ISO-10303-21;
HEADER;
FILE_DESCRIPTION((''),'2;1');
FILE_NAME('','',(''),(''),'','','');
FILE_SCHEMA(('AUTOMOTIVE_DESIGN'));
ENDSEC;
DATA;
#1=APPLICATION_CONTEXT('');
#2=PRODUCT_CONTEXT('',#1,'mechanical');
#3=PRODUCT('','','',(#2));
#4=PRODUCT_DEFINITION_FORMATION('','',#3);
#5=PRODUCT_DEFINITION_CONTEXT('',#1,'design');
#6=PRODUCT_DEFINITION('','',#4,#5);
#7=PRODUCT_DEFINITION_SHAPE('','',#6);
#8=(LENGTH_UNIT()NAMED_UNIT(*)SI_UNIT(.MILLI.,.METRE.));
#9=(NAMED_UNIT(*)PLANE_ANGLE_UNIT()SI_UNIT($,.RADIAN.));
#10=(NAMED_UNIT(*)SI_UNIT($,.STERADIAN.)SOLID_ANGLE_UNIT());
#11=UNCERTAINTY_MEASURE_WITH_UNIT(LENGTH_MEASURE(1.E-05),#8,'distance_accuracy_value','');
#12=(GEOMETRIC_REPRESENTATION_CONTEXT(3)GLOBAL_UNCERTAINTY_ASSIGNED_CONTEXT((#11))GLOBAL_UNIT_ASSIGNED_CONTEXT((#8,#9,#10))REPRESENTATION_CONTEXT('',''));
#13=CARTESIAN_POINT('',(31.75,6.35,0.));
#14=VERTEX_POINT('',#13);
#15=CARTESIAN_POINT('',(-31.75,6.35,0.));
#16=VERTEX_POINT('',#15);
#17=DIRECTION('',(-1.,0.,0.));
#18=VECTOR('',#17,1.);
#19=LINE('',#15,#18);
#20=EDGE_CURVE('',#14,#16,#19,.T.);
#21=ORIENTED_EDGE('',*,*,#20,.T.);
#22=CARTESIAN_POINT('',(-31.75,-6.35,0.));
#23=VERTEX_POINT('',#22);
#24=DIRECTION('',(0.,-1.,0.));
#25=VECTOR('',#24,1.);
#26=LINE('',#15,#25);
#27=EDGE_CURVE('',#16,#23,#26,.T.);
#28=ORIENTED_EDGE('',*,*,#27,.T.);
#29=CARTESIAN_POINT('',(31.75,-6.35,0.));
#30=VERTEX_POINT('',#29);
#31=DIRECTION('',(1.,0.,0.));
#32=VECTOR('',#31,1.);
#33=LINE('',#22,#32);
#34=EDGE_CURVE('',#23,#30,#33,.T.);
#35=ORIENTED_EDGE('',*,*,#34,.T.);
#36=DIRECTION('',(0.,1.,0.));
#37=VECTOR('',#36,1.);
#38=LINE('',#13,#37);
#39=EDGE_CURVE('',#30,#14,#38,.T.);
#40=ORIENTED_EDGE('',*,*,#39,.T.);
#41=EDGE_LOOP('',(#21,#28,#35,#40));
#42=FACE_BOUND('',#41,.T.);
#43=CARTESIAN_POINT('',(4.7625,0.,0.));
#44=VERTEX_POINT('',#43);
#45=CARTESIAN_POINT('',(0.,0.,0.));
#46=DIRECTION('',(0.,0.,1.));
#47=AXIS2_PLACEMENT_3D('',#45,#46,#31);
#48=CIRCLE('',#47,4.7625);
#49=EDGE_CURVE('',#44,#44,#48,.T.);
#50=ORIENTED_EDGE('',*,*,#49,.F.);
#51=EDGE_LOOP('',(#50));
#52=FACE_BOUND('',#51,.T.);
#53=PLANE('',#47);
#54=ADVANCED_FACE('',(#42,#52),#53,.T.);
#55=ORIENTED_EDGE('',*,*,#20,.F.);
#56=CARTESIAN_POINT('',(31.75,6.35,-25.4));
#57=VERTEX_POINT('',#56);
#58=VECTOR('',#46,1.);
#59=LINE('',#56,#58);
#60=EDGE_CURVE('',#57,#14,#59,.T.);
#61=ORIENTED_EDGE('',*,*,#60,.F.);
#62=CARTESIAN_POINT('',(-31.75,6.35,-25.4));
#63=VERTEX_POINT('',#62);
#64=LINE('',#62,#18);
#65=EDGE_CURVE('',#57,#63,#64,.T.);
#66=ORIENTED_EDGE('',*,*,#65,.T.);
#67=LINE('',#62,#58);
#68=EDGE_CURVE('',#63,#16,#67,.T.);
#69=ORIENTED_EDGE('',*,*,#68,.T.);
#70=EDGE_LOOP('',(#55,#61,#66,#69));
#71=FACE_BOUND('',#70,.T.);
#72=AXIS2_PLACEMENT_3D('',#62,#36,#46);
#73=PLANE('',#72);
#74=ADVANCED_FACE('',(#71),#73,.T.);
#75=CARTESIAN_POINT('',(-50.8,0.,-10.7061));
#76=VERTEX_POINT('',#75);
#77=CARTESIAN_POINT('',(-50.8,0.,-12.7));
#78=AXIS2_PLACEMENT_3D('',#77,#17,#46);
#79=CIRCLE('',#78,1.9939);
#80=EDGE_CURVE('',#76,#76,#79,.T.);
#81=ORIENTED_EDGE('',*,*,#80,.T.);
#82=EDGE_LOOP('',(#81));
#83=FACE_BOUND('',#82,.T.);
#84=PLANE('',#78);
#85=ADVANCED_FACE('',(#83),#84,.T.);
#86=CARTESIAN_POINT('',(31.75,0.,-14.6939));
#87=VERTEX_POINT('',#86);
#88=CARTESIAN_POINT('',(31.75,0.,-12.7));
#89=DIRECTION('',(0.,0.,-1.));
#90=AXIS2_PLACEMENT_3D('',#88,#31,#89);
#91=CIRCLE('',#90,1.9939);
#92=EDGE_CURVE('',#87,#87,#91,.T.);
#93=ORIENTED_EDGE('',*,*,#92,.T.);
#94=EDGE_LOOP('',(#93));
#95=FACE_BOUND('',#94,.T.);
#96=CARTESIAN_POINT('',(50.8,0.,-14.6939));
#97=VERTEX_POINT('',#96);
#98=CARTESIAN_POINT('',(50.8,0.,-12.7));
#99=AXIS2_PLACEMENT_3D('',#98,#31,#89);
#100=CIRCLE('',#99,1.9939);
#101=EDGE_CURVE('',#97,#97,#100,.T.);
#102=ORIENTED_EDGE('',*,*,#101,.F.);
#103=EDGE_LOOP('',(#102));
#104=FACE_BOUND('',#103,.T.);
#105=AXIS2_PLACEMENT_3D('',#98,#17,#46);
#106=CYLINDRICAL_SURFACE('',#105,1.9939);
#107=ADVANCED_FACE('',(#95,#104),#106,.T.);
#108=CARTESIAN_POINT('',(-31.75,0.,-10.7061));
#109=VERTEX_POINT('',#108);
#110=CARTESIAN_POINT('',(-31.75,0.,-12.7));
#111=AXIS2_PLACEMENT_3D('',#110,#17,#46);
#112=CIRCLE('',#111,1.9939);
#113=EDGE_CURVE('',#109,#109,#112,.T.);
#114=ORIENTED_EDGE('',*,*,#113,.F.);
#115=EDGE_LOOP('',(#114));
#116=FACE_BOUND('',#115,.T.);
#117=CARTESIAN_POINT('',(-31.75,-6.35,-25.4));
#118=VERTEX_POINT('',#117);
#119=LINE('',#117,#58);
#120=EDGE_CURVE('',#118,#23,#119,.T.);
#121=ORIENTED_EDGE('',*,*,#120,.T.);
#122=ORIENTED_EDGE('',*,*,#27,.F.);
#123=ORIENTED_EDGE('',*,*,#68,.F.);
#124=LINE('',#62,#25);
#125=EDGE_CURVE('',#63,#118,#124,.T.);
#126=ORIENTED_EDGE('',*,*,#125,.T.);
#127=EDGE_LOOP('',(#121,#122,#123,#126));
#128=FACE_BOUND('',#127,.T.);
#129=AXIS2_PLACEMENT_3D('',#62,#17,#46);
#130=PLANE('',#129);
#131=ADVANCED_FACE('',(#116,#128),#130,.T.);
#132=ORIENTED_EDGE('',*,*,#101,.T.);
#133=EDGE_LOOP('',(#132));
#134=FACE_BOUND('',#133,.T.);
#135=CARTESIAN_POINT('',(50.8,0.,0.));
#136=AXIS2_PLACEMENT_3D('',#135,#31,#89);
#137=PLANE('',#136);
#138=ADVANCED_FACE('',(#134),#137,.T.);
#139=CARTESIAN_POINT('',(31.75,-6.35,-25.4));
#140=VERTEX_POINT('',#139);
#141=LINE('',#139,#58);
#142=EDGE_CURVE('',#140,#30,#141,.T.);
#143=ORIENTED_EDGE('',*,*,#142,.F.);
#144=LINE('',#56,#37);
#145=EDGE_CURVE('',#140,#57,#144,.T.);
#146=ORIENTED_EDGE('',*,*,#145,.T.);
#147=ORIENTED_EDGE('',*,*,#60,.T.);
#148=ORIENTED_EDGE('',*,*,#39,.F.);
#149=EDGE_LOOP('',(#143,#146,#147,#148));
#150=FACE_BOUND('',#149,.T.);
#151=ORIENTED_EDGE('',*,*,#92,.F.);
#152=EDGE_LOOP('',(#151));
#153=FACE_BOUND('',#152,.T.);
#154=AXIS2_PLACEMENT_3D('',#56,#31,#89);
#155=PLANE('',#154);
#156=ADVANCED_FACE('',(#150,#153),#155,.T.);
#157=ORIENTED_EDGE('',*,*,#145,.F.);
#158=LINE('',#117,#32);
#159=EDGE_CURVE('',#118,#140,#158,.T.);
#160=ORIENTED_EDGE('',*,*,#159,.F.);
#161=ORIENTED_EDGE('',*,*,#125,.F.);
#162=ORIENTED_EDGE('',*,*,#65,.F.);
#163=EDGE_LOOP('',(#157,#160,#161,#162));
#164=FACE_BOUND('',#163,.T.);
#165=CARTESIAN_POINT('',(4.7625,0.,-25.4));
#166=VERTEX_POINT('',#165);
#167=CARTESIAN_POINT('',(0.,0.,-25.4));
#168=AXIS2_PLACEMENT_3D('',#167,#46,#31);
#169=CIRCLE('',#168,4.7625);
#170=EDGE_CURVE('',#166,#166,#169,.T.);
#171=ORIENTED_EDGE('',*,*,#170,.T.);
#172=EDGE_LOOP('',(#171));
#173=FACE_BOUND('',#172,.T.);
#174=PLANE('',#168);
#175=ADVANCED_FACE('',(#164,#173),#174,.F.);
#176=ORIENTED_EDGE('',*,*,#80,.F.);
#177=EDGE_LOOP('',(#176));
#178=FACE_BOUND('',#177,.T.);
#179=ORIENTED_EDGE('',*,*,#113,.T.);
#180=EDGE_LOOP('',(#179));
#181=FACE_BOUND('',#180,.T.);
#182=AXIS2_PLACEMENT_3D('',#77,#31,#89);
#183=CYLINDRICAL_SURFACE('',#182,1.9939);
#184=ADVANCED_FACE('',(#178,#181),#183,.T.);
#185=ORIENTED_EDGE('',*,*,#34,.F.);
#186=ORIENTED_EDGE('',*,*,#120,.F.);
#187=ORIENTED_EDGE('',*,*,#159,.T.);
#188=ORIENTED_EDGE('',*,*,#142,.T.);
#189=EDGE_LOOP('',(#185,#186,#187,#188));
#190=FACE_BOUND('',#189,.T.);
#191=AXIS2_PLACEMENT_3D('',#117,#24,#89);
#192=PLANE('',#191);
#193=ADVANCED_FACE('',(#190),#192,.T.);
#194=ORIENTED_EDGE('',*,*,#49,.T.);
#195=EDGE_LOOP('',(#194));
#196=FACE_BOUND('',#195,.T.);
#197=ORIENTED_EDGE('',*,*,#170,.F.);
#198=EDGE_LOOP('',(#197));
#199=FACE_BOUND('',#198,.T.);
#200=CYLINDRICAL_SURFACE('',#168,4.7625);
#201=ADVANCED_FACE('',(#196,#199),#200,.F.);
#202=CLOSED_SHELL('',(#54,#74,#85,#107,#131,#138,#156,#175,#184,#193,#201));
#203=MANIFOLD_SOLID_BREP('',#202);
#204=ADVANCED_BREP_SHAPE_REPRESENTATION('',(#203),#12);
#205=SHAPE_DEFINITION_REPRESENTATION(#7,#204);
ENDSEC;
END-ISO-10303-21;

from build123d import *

# Parameters (mm, degrees)
SKETCH1_W           = 63.5
SKETCH1_H           = 12.7
SKETCH1_R           = 4.7625
BOSS_EXTRUDE1_DEPTH = 25.4
SKETCH2_R           = 1.9939
BOSS_EXTRUDE2_DEPTH = 19.05
SKETCH3_R           = 1.9939
BOSS_EXTRUDE3_DEPTH = 19.05


with BuildPart() as part:
    # Sketch1 → Boss-Extrude1 (new body)
    with BuildSketch(Plane.XY):
        Rectangle(SKETCH1_W, SKETCH1_H)
        Circle(SKETCH1_R, mode=Mode.SUBTRACT)
    extrude(amount=-BOSS_EXTRUDE1_DEPTH)

    # Sketch2 → Boss-Extrude2 (add)
    with BuildSketch(Plane(origin=(31.75, 0, 0), x_dir=(0, 0, -1), z_dir=(1, 0, 0))):
        with Locations((12.7, 0)):
            Circle(SKETCH2_R)
    extrude(amount=BOSS_EXTRUDE2_DEPTH)

    # Sketch3 → Boss-Extrude3 (add)
    with BuildSketch(Plane.ZY.offset(31.75)):
        with Locations((-12.7, 0)):
            Circle(SKETCH3_R)
    extrude(amount=BOSS_EXTRUDE3_DEPTH)


solid = part.part
